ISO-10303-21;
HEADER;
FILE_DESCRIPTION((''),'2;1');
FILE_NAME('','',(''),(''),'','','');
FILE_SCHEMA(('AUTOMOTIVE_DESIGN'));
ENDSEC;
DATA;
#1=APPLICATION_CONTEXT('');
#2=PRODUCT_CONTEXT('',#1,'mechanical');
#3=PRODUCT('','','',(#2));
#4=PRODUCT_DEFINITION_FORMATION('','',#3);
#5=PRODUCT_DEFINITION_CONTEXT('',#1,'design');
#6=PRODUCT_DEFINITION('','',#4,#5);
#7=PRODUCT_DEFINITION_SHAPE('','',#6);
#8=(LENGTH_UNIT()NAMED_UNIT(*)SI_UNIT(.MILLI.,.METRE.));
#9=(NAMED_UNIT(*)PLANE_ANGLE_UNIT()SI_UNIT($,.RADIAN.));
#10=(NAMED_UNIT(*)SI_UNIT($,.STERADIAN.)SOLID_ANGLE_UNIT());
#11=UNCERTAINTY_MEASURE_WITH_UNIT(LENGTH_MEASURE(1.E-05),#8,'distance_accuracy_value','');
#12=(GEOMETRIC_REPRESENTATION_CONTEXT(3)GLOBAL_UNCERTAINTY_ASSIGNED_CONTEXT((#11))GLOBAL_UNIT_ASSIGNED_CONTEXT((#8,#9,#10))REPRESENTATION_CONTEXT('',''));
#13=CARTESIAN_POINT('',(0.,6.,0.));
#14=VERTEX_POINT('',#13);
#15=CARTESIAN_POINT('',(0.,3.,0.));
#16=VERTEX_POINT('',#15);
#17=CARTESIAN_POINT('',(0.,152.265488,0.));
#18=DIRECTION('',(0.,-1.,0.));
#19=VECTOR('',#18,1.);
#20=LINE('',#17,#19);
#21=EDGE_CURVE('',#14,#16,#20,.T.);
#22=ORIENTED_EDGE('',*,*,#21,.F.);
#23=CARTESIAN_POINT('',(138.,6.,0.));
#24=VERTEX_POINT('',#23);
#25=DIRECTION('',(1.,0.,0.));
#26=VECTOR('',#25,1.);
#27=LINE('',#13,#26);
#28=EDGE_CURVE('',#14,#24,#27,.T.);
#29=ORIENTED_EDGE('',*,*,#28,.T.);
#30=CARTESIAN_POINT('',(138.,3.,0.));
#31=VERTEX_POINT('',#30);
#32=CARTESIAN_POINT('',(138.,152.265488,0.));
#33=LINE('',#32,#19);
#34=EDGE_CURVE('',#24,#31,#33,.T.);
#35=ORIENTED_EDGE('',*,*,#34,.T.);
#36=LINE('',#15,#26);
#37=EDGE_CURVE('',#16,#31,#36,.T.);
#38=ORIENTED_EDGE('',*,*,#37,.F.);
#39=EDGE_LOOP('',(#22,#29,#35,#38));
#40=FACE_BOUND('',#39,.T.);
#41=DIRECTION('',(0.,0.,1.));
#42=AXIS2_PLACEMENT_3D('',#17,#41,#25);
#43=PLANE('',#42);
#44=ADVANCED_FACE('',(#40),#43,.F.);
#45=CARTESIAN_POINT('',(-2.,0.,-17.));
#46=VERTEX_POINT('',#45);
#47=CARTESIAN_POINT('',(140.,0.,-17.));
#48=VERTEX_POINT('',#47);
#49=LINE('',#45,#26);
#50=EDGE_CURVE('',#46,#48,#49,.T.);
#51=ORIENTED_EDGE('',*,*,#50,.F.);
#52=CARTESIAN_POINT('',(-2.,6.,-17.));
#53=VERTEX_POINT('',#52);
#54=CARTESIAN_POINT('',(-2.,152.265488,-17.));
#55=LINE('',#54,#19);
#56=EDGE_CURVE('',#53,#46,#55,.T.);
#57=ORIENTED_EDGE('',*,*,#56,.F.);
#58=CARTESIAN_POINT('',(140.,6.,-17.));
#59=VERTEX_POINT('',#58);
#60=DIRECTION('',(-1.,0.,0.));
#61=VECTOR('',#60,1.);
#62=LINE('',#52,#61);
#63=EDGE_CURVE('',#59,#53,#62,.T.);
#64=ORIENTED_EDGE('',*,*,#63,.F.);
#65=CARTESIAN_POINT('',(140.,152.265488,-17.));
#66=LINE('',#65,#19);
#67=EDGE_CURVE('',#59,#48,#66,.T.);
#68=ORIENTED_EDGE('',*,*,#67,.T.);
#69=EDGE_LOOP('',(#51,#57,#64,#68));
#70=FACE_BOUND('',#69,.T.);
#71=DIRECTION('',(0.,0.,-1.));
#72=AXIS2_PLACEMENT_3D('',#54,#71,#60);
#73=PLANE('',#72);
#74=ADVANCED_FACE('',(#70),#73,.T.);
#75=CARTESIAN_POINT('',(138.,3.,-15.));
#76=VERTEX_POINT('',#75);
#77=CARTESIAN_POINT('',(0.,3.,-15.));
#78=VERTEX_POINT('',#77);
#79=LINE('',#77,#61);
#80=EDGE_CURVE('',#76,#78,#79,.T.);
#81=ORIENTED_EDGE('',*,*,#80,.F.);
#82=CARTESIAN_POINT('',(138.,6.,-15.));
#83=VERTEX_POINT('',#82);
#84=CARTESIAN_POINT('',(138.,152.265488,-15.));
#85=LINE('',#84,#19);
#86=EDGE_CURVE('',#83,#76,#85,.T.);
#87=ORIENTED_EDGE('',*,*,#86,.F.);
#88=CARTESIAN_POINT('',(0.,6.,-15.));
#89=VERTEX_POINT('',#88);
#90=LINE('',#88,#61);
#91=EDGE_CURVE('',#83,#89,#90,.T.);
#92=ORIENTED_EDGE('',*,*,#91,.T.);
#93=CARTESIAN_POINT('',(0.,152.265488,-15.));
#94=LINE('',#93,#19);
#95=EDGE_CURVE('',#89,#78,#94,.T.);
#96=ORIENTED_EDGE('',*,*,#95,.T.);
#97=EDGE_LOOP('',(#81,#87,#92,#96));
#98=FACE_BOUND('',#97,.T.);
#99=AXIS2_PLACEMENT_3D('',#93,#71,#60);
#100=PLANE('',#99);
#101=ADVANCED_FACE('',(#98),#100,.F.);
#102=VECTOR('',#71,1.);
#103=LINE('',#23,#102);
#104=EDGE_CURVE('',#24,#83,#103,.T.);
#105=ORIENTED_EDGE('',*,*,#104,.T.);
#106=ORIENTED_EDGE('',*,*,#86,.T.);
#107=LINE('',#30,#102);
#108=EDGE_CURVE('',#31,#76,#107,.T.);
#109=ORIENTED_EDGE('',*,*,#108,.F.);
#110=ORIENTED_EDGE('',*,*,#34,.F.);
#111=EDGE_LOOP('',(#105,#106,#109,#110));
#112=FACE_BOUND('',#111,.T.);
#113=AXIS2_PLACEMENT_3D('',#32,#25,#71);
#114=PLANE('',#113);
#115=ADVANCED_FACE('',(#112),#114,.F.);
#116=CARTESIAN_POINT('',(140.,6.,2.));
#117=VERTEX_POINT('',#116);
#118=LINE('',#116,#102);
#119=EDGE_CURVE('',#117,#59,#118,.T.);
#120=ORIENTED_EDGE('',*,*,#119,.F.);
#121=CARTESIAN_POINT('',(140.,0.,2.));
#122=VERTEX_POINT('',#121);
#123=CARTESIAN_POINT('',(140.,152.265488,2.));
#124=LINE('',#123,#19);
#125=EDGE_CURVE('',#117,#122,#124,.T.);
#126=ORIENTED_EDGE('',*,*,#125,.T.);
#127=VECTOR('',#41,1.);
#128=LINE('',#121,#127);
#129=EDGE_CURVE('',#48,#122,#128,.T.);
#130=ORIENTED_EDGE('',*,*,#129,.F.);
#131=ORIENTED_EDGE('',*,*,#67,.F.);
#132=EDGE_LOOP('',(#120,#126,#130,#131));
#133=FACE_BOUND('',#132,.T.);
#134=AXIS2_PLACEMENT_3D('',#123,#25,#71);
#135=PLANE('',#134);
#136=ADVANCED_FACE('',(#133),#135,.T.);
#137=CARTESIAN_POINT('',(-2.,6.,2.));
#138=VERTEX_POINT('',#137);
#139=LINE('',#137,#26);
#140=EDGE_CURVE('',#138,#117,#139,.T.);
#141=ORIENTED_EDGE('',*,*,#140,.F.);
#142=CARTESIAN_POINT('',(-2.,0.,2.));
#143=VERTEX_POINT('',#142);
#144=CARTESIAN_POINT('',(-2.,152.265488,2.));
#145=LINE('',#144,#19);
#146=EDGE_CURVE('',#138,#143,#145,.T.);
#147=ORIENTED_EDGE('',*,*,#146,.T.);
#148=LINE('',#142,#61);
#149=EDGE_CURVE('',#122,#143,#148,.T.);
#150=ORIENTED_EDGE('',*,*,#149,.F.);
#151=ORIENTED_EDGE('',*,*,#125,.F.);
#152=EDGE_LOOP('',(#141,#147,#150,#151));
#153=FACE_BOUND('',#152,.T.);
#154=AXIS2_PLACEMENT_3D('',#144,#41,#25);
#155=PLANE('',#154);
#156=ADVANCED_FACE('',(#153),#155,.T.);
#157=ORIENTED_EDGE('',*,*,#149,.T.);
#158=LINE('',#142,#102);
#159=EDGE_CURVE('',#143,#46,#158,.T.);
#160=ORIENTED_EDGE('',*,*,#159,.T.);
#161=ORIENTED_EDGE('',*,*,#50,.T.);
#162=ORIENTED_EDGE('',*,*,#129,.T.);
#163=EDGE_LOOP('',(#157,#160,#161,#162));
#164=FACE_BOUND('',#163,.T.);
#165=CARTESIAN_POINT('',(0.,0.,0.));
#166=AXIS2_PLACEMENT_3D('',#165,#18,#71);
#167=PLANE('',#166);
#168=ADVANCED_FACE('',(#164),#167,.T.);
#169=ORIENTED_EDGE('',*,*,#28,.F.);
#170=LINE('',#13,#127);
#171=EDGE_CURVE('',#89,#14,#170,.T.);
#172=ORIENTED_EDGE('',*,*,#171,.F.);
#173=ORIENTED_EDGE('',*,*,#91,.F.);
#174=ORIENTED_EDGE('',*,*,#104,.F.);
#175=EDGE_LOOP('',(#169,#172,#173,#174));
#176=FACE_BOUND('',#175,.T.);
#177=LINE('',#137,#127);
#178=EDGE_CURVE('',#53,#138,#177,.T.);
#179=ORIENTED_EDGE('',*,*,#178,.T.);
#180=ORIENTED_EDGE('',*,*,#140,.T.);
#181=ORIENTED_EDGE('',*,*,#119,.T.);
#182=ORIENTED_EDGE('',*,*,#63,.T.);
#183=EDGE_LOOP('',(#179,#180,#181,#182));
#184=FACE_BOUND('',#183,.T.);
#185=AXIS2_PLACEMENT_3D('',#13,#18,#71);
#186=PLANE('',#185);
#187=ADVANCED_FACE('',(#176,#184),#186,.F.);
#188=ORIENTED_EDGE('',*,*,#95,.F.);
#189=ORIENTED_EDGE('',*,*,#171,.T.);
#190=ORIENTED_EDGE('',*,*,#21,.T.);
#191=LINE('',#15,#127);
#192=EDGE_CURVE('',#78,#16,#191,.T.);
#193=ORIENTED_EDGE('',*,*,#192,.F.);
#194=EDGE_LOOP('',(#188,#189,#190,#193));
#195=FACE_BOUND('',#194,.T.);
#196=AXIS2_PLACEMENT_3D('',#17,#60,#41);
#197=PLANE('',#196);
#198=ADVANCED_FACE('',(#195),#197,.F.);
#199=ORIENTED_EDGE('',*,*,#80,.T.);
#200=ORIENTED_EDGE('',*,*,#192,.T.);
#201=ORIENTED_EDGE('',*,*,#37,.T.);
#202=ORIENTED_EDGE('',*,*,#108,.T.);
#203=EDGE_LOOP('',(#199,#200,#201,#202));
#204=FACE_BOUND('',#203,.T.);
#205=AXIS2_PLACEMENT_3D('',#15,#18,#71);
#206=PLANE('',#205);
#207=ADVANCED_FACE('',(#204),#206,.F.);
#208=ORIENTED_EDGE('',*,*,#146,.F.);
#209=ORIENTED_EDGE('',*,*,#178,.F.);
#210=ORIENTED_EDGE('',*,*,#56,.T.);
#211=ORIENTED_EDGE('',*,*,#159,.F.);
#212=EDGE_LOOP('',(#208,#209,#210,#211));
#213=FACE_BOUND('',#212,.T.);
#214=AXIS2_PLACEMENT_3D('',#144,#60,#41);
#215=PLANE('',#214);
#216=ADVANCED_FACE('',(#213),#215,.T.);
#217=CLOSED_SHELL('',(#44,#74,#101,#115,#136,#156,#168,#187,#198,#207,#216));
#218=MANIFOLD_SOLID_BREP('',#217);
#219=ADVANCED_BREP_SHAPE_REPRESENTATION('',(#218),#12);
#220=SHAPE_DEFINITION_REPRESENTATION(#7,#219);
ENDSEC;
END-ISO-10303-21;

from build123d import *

# Parameters (mm, degrees)
SKETCH1_W           = 138
SKETCH1_H           = 15
BOSS_EXTRUDE1_DEPTH = 3
SKETCH2_W           = 142
SKETCH2_H           = 19
SKETCH2_W_2         = 138
SKETCH2_H_2         = 15
BOSS_EXTRUDE2_DEPTH = 6


with BuildPart() as part:
    # Sketch1 → Boss-Extrude1 (new body)
    with BuildSketch(Plane(origin=(0, 0, 0), x_dir=(1, 0, 0), z_dir=(0, 1, 0))):
        with Locations((69, 7.5)):
            Rectangle(SKETCH1_W, SKETCH1_H)
    extrude(amount=BOSS_EXTRUDE1_DEPTH)

    # Sketch2 → Boss-Extrude2 (add)
    with BuildSketch(Plane.XZ):
        with Locations((69, -7.5)):
            Rectangle(SKETCH2_W, SKETCH2_H)
        with Locations((69, -7.5)):
            Rectangle(SKETCH2_W_2, SKETCH2_H_2, mode=Mode.SUBTRACT)
    extrude(amount=-BOSS_EXTRUDE2_DEPTH)


solid = part.part
